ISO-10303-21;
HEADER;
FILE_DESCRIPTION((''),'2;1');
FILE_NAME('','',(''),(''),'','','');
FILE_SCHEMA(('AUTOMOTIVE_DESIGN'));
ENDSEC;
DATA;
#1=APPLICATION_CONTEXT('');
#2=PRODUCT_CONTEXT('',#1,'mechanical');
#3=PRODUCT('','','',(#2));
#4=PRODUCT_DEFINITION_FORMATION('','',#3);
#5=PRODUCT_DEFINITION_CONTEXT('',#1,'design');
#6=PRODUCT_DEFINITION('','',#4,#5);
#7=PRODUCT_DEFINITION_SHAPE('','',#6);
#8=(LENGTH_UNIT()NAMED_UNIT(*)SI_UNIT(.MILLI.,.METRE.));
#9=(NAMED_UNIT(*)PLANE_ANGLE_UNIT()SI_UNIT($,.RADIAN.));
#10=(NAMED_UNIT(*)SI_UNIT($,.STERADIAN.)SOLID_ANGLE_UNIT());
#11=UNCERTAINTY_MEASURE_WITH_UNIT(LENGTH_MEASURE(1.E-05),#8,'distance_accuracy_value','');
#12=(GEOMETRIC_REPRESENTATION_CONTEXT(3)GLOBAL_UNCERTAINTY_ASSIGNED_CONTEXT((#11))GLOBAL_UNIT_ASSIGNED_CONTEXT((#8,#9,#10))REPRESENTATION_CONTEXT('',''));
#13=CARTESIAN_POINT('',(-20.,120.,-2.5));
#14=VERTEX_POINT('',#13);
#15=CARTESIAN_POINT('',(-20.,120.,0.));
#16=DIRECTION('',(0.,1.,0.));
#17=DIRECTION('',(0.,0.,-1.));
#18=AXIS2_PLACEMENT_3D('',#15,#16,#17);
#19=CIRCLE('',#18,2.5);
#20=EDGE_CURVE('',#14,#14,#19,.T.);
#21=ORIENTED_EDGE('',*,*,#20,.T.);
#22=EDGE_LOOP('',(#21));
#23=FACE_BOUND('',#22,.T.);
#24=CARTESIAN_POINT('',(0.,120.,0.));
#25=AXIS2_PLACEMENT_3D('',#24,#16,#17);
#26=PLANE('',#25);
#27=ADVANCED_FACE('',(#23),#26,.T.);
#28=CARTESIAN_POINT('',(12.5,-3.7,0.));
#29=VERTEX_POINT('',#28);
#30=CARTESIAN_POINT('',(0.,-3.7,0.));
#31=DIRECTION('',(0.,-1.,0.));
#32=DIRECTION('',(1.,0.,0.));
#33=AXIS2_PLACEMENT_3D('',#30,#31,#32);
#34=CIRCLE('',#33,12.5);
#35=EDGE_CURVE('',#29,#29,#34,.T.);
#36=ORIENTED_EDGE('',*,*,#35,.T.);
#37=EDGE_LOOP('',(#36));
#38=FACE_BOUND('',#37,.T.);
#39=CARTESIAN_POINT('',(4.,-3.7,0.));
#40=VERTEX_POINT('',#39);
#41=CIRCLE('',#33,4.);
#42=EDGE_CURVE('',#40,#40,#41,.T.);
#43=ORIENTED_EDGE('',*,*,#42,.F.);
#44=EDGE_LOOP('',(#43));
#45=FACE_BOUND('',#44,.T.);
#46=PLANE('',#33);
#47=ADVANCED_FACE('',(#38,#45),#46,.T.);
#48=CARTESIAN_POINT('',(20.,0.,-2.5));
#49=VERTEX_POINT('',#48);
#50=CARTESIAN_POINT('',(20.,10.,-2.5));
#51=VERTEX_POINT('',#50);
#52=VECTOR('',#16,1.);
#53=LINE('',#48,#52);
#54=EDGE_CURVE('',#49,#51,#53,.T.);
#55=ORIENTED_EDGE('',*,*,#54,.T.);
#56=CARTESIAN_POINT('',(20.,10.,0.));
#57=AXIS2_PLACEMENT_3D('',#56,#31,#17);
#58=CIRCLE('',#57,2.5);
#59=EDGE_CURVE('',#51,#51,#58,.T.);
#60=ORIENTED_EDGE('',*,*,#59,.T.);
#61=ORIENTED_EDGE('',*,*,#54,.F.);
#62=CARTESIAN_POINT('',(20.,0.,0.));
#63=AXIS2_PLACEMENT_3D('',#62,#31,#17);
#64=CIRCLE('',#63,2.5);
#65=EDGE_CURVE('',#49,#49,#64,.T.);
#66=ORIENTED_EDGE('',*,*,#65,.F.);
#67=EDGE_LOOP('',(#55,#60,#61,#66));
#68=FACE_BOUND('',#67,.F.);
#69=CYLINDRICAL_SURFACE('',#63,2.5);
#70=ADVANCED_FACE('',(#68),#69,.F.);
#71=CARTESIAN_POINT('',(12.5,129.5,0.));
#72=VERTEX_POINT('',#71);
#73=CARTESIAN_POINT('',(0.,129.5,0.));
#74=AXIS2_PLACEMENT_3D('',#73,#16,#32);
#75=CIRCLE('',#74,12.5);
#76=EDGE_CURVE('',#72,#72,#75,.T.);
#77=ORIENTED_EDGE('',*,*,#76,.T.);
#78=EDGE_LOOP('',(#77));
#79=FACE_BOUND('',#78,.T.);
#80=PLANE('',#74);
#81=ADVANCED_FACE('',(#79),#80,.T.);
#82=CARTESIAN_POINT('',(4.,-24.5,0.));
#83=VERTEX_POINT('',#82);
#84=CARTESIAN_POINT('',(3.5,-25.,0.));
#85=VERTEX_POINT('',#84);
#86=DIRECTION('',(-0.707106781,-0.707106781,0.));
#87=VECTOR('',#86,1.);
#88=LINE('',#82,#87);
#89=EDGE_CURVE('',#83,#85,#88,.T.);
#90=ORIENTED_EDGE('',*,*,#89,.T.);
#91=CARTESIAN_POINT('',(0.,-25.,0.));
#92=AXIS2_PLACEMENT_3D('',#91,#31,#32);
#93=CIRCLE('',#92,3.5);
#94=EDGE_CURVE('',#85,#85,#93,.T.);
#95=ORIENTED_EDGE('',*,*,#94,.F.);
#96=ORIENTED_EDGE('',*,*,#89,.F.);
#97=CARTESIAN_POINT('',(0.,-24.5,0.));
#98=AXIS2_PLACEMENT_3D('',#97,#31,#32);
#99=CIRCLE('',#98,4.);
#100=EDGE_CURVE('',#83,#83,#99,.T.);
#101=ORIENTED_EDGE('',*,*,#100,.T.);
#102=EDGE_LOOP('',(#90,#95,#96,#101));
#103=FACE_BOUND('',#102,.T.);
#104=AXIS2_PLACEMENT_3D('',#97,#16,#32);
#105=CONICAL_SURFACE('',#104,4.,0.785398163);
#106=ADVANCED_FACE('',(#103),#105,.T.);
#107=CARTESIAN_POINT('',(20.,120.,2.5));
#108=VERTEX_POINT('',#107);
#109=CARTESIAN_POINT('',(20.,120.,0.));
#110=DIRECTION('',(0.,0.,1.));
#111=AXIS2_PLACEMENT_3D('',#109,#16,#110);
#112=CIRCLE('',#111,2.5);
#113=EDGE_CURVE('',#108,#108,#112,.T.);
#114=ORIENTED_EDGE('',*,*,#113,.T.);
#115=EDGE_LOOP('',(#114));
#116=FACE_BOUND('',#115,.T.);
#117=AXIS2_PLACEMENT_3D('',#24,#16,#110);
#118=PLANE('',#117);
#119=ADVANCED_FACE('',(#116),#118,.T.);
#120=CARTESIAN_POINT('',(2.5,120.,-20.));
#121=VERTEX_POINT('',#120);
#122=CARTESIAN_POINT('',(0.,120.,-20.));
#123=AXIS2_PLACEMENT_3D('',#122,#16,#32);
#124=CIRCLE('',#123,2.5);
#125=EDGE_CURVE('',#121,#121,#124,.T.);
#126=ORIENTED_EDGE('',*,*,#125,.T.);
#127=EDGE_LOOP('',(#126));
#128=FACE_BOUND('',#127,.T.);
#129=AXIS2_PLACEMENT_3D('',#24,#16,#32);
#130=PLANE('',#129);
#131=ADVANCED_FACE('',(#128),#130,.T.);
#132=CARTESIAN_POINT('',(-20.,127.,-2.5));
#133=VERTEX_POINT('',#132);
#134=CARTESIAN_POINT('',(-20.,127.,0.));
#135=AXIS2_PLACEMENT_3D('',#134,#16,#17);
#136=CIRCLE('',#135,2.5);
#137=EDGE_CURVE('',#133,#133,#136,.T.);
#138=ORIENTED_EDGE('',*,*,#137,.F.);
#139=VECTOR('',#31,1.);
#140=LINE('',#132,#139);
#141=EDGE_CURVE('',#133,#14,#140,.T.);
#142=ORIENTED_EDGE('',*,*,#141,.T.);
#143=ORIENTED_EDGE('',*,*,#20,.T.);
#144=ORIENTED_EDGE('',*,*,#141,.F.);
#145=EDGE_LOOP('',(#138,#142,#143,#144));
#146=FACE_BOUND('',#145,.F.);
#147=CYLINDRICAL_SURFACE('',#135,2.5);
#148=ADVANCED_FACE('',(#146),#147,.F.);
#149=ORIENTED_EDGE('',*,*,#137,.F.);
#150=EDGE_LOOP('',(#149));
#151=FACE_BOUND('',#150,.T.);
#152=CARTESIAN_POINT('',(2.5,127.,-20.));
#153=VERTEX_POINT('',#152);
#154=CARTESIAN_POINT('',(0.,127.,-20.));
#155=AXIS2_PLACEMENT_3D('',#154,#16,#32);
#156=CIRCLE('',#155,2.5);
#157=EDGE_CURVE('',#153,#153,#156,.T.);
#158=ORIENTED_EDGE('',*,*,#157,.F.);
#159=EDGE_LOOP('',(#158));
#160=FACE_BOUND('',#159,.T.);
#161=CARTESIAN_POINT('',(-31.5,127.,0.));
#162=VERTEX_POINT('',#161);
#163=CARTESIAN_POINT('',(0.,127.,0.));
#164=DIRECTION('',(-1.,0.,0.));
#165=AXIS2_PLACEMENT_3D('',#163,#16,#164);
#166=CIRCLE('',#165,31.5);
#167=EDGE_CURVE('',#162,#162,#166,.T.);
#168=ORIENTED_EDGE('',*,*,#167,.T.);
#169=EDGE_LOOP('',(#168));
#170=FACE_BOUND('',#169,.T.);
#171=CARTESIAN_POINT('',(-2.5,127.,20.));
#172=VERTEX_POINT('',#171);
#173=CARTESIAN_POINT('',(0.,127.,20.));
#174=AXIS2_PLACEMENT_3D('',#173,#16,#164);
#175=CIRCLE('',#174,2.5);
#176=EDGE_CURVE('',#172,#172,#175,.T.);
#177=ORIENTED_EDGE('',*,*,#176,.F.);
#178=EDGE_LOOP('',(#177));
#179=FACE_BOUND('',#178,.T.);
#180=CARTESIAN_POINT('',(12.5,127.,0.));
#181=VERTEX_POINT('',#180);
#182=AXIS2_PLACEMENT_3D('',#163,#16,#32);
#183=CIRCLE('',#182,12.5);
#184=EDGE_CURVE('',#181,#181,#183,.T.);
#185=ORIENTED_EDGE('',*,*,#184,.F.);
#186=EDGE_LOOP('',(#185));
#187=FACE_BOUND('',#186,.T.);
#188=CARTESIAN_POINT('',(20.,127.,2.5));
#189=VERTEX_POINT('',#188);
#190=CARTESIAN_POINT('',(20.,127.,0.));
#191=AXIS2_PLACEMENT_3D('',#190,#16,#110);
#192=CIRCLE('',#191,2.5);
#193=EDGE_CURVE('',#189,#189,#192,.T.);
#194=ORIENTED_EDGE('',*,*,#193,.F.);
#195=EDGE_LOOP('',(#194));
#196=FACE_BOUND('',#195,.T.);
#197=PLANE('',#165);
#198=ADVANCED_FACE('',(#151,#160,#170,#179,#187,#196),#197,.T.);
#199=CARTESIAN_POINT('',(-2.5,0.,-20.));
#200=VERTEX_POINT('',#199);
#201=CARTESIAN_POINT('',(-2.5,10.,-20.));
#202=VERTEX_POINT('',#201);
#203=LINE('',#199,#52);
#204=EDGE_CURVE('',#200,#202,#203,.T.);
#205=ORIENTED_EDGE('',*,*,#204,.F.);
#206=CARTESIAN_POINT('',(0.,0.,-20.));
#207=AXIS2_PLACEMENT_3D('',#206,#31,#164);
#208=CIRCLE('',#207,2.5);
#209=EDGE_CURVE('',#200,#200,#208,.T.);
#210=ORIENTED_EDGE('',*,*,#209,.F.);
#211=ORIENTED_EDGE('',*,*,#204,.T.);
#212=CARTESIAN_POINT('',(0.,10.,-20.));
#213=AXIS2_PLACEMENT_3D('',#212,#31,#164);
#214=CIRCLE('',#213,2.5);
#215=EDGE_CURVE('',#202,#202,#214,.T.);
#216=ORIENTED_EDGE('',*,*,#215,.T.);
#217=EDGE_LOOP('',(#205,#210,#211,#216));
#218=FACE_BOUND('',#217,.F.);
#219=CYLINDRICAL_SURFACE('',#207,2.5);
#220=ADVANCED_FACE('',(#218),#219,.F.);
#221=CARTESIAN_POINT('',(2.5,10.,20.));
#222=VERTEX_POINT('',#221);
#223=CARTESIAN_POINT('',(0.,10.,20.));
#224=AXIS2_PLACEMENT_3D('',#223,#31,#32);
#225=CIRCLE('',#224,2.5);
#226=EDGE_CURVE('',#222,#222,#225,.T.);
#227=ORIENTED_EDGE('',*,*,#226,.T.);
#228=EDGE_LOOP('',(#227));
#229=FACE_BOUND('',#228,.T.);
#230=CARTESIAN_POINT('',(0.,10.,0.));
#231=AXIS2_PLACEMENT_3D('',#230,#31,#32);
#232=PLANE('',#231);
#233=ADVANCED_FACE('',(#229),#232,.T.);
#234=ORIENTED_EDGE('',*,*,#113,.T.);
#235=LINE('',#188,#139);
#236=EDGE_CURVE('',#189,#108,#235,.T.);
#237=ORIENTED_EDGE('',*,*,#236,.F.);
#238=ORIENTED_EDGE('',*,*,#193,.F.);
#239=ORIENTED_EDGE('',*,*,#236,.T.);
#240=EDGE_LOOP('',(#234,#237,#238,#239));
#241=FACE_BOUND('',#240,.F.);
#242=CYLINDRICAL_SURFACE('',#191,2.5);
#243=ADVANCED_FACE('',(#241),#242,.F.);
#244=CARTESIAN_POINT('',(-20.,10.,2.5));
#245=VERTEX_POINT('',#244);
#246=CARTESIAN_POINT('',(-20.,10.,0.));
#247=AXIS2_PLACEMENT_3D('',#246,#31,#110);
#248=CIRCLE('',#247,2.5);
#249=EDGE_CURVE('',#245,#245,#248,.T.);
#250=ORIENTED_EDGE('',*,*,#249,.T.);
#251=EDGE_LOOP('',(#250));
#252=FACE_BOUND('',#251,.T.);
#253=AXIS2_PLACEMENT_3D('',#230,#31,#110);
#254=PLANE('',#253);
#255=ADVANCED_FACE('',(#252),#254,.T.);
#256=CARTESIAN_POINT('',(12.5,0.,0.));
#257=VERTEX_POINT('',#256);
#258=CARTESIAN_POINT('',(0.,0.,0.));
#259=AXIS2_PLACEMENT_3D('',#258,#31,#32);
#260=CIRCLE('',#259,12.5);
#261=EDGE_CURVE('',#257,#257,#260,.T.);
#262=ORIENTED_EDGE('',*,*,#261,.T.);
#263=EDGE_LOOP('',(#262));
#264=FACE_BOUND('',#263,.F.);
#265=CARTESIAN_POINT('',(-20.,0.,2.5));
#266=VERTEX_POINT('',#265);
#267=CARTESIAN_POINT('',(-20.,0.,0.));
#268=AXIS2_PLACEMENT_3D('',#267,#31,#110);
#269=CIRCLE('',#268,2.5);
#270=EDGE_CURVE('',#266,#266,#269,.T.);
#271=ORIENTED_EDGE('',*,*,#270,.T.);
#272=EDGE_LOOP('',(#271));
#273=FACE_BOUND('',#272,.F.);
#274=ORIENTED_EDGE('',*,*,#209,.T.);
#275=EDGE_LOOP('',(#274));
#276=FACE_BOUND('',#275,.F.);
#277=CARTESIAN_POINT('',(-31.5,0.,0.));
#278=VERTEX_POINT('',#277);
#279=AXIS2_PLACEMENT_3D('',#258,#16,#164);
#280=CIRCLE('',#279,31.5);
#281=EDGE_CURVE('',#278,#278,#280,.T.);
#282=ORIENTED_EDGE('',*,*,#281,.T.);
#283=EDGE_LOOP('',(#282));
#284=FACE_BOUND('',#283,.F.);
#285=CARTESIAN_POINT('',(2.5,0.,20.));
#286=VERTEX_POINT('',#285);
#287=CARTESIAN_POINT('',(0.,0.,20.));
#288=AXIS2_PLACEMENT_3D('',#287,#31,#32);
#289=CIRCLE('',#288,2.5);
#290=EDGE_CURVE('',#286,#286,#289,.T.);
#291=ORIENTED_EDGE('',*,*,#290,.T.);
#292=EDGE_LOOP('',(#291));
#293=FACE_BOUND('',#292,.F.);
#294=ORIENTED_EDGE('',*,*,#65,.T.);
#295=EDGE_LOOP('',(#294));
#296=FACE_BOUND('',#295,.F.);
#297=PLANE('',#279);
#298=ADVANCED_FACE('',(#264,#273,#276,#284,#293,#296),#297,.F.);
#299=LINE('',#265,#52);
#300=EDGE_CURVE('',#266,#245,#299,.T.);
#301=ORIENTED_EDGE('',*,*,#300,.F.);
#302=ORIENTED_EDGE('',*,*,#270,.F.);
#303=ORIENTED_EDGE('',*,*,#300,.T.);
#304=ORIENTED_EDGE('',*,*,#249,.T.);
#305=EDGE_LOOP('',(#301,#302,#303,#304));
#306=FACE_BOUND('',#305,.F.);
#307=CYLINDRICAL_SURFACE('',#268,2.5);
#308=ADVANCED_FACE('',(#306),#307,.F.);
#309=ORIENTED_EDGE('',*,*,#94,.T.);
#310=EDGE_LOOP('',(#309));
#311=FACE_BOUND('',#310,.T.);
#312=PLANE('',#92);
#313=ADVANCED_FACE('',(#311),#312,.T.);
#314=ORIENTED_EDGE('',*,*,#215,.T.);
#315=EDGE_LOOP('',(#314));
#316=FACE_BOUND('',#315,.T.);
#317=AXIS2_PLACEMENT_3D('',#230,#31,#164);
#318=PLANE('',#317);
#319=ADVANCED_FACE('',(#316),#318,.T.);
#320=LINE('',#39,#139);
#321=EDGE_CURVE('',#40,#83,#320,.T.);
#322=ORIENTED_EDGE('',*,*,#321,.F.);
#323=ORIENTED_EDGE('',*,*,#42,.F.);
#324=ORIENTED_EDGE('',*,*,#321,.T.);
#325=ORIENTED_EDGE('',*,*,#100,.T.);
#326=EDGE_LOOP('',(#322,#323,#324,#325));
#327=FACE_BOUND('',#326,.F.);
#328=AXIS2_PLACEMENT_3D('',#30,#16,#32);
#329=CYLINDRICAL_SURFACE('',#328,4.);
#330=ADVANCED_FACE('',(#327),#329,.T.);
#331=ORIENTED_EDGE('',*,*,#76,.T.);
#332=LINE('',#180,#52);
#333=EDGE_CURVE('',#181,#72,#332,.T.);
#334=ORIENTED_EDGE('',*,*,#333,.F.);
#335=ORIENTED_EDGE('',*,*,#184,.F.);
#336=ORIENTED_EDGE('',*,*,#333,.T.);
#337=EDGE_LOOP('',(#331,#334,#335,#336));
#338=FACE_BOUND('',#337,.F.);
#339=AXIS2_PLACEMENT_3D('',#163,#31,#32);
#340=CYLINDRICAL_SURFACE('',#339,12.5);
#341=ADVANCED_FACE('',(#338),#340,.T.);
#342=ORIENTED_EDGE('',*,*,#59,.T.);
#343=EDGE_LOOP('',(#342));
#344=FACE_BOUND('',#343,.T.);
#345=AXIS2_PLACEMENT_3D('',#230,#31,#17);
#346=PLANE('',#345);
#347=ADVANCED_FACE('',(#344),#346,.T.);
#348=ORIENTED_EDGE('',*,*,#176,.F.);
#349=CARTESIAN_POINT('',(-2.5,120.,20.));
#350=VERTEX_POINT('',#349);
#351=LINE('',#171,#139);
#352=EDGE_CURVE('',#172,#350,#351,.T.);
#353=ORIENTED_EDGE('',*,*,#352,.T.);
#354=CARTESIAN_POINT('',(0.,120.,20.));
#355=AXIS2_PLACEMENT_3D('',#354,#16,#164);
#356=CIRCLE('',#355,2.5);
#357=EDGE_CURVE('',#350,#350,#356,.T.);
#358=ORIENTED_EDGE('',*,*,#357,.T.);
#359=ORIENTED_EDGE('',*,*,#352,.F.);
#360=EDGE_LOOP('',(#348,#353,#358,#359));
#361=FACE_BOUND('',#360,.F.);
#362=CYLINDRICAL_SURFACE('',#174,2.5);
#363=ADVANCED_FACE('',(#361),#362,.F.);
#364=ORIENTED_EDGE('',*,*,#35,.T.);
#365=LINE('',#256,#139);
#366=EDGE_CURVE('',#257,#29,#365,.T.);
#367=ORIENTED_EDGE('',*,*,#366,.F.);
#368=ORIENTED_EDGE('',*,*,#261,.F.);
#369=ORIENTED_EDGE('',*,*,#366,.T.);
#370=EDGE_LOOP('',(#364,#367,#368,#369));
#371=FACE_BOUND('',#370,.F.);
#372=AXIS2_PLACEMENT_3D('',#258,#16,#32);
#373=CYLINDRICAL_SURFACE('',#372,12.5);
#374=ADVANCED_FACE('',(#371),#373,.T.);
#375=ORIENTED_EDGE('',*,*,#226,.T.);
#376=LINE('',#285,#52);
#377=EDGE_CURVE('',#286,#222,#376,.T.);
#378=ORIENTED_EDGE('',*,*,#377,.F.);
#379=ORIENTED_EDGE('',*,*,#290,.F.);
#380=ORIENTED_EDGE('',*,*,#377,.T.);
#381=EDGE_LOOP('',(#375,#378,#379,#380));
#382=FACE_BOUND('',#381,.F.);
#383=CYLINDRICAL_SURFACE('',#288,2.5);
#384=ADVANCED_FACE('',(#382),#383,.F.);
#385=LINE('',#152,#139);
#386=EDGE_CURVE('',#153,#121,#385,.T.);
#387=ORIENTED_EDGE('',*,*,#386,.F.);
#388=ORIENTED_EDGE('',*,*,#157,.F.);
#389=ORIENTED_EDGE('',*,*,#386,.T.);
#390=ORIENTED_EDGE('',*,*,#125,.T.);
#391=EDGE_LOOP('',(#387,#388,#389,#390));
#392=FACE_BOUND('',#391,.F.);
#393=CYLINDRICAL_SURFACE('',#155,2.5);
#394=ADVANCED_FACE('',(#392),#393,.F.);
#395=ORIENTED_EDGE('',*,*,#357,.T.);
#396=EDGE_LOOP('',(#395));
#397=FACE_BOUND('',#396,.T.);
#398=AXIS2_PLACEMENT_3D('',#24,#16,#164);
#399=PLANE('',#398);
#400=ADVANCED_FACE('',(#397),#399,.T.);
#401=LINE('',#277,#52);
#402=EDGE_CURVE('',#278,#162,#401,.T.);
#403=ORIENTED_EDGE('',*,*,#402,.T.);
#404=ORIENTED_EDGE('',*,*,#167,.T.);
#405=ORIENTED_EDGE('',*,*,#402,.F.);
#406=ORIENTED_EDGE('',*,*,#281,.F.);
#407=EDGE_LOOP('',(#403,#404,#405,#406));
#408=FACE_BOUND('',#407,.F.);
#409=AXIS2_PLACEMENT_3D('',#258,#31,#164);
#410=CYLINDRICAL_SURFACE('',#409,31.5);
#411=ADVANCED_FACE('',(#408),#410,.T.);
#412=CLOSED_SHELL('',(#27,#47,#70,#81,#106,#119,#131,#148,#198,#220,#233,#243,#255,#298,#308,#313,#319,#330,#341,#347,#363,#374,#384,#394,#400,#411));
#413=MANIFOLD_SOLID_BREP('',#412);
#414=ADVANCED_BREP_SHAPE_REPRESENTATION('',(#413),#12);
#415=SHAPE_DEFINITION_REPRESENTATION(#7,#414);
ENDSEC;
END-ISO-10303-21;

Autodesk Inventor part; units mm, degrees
ref_plane "YZ Plane" through (0, 0, 0) normal (1, 0, 0) x (0, 1, 0)
ref_plane "XZ Plane" through (0, 0, 0) normal (0, 1, 0) x (-1, 0, 0)
ref_plane "XY Plane" through (0, 0, 0) normal (0, 0, 1) x (1, 0, 0)
sketch "Esquisse1" plane through (0, 0, 0) normal (0, 1, 0) x (-1, 0, 0)
  circle A0 centre (0, 0) radius 31.5
  dimension "d0" = 63
extrude "Extrusion1" add sketch "Esquisse1" along normal blind 127
sketch "Esquisse2" plane through (0, 127, 0) normal (0, 1, 0) x (1, 0, 0)
  circle A0 centre (0, 0) radius 31.5 projected
  circle A1 centre (0, 0) radius 12.5
  dimension "d3" = 25
extrude "Extrusion2" add sketch "Esquisse2" along normal blind 2.5 contours A1
sketch "Esquisse3" plane through (0, 0, 0) normal (0, -1, 0) x (1, 0, 0)
  circle A0 centre (0, 0) radius 31.5 projected
  circle A1 centre (0, 0) radius 12.5
  dimension "d6" = 25
extrude "Extrusion3" add sketch "Esquisse3" along normal blind 3.7 contours A1
sketch "Esquisse4" plane through (0, -3.7, 0) normal (0, -1, 0) x (1, 0, 0)
  circle A0 centre (0, 0) radius 12.5 projected
  circle A1 centre (0, 0) radius 4
  dimension "d9" = 8
extrude "Extrusion4" add sketch "Esquisse4" along normal blind 21.3 contours A1
chamfer "Chanfrein1" distance 0.5 angle 45 1 edges at (-4, -25, 0)
sketch "Esquisse5" plane through (0, 0, 0) normal (0, -1, 0) x (1, 0, 0)
  circle A0 centre (0, 0) radius 12.5 projected
  circle A1 centre (0, 20) radius 2.5
  dimension "d15" = 5
  dimension "d16" = 20
extrude "Extrusion5" cut sketch "Esquisse5" against normal blind 10 contours A1
pattern_circular "Réseau circulaire1" count 4 over 360 about axis through (0, -3.7, 0) along (0, -1, 0) of "Extrusion5"
sketch "Esquisse6" plane through (0, 127, 0) normal (0, 1, 0) x (1, 0, 0)
  circle A0 centre (0, 0) radius 12.5 projected
  circle A1 centre (0, 20) radius 2.5
  dimension "d22" = 5
  dimension "d23" = 20
extrude "Extrusion6" cut sketch "Esquisse6" against normal blind 7 contours A1
pattern_circular "Réseau circulaire2" count 4 over 360 about axis through (0, 127, 0) along (0, 1, 0) of "Extrusion6"
properties part number "Moteur Crouzet" material "Acier inoxydable"
